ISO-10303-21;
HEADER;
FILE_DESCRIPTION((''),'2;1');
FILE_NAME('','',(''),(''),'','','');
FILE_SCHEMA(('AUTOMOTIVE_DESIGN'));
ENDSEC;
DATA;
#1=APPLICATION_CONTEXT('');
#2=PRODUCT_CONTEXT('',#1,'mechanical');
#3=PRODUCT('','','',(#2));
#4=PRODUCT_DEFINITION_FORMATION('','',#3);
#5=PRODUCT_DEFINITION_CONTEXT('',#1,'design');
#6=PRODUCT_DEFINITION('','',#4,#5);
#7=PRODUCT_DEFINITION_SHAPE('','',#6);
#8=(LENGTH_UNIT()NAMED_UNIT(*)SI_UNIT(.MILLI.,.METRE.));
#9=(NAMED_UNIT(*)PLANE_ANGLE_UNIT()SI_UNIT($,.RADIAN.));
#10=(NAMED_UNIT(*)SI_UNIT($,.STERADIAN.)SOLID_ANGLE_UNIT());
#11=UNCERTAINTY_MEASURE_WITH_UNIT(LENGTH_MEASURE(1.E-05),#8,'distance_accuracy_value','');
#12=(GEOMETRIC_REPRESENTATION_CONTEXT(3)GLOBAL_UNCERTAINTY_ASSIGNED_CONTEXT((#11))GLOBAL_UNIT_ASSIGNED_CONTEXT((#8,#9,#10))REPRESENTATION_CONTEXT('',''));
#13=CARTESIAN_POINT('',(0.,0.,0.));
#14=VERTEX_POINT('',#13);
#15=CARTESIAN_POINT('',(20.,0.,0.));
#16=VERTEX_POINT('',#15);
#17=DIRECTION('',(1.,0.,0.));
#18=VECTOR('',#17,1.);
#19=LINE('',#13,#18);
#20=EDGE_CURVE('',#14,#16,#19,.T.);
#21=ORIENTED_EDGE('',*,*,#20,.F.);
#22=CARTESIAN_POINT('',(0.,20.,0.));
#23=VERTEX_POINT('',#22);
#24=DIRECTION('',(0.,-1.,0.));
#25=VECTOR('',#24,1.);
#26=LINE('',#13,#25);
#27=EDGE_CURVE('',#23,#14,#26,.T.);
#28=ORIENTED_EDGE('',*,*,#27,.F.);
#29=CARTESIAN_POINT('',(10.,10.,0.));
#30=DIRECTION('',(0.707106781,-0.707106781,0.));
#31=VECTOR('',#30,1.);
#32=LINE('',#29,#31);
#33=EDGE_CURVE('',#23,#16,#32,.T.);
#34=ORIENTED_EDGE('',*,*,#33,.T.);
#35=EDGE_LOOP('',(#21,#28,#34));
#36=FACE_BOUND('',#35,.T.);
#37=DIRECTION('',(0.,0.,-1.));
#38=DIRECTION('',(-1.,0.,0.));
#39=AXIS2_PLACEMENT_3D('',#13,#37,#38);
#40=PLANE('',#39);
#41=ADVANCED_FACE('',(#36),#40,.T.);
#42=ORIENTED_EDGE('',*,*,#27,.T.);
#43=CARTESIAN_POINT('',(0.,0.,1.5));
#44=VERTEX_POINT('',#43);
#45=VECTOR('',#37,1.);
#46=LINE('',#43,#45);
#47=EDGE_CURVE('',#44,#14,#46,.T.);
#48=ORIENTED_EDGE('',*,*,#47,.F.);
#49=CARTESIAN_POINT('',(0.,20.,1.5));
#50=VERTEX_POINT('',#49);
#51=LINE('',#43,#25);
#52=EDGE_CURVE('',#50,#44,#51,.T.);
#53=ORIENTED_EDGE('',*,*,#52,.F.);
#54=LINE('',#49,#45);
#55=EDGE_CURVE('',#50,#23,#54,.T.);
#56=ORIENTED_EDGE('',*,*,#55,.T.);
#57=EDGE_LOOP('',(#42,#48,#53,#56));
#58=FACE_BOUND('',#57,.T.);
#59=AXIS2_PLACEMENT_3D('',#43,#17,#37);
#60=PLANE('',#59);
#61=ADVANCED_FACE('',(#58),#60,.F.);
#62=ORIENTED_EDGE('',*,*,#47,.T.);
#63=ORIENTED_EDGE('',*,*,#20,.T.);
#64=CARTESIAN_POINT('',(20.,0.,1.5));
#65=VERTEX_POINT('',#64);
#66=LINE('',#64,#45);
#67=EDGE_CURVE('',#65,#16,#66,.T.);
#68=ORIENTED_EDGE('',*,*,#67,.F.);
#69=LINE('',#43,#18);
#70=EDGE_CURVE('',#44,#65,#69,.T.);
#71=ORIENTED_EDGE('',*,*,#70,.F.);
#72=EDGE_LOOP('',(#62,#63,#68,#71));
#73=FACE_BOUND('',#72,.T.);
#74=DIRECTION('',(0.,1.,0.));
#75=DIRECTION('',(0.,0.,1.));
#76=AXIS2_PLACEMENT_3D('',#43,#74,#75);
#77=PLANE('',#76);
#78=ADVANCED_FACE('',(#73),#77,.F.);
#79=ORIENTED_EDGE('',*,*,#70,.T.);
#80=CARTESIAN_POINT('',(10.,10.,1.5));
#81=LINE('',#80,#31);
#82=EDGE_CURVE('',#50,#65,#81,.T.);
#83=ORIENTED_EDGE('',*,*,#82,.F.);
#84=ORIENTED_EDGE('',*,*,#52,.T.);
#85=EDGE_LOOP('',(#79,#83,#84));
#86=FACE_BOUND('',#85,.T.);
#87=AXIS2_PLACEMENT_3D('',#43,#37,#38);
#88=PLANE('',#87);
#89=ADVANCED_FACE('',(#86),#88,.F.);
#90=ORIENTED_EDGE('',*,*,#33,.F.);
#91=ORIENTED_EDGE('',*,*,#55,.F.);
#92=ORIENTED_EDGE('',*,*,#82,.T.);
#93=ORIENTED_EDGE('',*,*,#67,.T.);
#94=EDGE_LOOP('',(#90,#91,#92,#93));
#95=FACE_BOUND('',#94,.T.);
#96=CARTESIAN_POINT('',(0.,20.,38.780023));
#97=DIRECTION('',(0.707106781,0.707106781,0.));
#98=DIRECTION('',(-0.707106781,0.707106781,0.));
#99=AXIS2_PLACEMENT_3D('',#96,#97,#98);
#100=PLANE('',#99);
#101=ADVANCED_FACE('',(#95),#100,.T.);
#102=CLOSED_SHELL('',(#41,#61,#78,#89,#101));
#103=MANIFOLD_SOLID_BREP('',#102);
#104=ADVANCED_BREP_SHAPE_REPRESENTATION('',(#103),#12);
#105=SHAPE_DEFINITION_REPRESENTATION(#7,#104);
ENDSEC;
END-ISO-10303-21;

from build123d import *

# Parameters (mm, degrees)
ESBO_O1_W                  = 20
ESBO_O1_H                  = 20
RESSALTO_EXTRUS_O1_DEPTH   = 1.5
CORTE_EXTRUS_O1_DEPTH      = 29.324018077
CORTE_EXTRUS_O1_DEPTH_BACK = 29.324018077


with BuildPart() as part:
    # Esboço1 → Ressalto-extrusão1 (new body)
    with BuildSketch(Plane.XY):
        with Locations((10, 10)):
            Rectangle(ESBO_O1_W, ESBO_O1_H)
    extrude(amount=RESSALTO_EXTRUS_O1_DEPTH)

    # Esboço2 → Corte-extrusão1 (cut, two sides: drawn at the far end of the back side and taken through both)
    with BuildSketch(Plane.XY.offset(1.5).offset(-CORTE_EXTRUS_O1_DEPTH_BACK)):
        Polygon((-47.071067812, 67.071067812), (0, 20), (20, 0), (67.071067812, -47.071067812), (161.213203436, 47.071067812), (47.071067812, 161.213203436), align=None)
    extrude(amount=CORTE_EXTRUS_O1_DEPTH + CORTE_EXTRUS_O1_DEPTH_BACK, mode=Mode.SUBTRACT)


solid = part.part
